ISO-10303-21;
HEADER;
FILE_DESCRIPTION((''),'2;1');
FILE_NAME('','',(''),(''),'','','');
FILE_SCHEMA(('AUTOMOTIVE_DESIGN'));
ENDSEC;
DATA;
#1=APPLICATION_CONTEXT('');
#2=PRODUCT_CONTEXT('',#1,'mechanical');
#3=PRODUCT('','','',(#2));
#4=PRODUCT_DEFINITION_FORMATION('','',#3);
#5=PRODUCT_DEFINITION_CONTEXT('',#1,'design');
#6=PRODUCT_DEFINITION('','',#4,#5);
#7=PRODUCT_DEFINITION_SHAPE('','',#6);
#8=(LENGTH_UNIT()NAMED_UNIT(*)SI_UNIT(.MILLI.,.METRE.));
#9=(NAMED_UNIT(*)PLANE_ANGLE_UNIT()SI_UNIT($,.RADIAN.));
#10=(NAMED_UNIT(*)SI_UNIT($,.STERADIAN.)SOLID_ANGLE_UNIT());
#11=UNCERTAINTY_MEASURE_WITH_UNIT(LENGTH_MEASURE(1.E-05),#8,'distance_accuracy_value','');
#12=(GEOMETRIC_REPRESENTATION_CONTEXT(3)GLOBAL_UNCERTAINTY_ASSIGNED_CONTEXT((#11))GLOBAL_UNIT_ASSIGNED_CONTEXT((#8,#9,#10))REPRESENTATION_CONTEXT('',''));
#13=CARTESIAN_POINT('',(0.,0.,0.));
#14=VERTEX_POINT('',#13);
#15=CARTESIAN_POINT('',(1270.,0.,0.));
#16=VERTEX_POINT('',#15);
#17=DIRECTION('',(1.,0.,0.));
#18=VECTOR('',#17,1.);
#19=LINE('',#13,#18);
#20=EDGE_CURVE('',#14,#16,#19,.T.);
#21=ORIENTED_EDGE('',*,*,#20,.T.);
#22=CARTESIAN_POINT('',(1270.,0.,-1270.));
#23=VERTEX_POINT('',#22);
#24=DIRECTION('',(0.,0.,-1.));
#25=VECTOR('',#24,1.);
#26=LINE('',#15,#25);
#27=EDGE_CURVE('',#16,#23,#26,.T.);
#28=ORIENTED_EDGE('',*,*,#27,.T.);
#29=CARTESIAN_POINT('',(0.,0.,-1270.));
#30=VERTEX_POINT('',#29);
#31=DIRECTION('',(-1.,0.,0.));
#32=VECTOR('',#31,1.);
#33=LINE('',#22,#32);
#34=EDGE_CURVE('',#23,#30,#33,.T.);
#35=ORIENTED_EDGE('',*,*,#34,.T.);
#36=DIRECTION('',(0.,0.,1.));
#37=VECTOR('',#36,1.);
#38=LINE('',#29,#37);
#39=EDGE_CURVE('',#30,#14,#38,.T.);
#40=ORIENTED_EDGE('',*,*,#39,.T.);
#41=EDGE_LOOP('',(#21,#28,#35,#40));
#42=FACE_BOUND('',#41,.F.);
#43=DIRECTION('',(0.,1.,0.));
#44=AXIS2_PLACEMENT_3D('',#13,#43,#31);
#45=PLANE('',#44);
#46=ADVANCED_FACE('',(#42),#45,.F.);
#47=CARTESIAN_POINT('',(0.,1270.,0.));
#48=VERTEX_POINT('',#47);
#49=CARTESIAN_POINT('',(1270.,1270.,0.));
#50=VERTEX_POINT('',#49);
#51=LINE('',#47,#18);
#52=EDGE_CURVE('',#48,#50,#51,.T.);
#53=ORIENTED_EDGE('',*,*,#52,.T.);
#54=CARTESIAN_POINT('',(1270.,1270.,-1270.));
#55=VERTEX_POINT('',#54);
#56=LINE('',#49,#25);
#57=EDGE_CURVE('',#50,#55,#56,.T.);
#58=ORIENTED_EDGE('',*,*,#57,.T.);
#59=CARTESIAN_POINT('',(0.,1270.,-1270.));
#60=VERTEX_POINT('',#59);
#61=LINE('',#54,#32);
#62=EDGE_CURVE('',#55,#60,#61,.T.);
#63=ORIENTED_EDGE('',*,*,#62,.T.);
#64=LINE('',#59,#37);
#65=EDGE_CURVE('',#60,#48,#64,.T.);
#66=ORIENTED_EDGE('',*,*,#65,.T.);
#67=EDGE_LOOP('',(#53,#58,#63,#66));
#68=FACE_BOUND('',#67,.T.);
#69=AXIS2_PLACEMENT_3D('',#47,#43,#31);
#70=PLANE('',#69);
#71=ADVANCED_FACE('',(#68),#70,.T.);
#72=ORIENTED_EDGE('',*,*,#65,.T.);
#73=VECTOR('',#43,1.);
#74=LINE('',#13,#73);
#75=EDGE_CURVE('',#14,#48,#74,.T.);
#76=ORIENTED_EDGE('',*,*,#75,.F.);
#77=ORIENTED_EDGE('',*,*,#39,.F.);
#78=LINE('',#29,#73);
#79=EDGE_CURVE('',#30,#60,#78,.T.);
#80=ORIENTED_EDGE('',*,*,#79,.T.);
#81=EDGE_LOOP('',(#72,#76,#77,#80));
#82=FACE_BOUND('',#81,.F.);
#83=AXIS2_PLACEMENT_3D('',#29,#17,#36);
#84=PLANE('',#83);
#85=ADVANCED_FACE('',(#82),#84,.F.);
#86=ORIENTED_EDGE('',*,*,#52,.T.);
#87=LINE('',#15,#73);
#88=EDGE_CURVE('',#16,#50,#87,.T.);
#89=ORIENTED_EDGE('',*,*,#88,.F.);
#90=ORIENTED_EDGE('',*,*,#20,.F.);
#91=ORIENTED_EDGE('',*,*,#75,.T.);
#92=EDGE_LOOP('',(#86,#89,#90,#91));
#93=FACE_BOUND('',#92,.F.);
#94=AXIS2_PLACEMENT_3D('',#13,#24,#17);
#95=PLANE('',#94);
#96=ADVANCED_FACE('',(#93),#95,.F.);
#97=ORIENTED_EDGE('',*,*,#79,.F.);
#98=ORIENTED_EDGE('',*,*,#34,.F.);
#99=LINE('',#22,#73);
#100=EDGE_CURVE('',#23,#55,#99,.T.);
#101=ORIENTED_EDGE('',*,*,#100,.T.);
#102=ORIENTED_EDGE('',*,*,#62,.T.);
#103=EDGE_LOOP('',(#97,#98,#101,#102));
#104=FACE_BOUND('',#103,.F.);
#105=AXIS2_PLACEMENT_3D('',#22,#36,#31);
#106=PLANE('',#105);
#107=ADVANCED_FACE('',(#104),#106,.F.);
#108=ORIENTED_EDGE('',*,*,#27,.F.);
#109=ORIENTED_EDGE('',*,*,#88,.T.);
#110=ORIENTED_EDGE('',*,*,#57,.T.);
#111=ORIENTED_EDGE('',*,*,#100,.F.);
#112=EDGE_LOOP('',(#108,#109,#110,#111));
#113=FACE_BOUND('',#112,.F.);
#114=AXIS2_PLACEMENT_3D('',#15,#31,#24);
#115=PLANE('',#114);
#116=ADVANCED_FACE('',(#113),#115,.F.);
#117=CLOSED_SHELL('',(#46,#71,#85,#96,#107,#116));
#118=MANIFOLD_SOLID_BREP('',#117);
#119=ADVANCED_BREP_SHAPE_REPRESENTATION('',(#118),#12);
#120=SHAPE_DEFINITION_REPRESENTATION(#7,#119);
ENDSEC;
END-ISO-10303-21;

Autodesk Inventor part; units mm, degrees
ref_plane "YZ Plane" through (0, 0, 0) normal (1, 0, 0) x (0, 1, 0)
ref_plane "XZ Plane" through (0, 0, 0) normal (0, 1, 0) x (-1, 0, 0)
ref_plane "XY Plane" through (0, 0, 0) normal (0, 0, 1) x (1, 0, 0)
sketch "Sketch1" plane through (0, 0, 0) normal (0, 1, 0) x (-1, 0, 0)
  line L0 (0, 0) -> (-1270, 0)
  line L1 (-1270, 0) -> (-1270, -1270)
  line L2 (-1270, -1270) -> (0, -1270)
  line L3 (0, -1270) -> (0, 0)
  dimension "d0" = 1270
  dimension "d1" = 1270
extrude "Extrusion1" add sketch "Sketch1" along normal blind 1270
properties part number "squarecube"
